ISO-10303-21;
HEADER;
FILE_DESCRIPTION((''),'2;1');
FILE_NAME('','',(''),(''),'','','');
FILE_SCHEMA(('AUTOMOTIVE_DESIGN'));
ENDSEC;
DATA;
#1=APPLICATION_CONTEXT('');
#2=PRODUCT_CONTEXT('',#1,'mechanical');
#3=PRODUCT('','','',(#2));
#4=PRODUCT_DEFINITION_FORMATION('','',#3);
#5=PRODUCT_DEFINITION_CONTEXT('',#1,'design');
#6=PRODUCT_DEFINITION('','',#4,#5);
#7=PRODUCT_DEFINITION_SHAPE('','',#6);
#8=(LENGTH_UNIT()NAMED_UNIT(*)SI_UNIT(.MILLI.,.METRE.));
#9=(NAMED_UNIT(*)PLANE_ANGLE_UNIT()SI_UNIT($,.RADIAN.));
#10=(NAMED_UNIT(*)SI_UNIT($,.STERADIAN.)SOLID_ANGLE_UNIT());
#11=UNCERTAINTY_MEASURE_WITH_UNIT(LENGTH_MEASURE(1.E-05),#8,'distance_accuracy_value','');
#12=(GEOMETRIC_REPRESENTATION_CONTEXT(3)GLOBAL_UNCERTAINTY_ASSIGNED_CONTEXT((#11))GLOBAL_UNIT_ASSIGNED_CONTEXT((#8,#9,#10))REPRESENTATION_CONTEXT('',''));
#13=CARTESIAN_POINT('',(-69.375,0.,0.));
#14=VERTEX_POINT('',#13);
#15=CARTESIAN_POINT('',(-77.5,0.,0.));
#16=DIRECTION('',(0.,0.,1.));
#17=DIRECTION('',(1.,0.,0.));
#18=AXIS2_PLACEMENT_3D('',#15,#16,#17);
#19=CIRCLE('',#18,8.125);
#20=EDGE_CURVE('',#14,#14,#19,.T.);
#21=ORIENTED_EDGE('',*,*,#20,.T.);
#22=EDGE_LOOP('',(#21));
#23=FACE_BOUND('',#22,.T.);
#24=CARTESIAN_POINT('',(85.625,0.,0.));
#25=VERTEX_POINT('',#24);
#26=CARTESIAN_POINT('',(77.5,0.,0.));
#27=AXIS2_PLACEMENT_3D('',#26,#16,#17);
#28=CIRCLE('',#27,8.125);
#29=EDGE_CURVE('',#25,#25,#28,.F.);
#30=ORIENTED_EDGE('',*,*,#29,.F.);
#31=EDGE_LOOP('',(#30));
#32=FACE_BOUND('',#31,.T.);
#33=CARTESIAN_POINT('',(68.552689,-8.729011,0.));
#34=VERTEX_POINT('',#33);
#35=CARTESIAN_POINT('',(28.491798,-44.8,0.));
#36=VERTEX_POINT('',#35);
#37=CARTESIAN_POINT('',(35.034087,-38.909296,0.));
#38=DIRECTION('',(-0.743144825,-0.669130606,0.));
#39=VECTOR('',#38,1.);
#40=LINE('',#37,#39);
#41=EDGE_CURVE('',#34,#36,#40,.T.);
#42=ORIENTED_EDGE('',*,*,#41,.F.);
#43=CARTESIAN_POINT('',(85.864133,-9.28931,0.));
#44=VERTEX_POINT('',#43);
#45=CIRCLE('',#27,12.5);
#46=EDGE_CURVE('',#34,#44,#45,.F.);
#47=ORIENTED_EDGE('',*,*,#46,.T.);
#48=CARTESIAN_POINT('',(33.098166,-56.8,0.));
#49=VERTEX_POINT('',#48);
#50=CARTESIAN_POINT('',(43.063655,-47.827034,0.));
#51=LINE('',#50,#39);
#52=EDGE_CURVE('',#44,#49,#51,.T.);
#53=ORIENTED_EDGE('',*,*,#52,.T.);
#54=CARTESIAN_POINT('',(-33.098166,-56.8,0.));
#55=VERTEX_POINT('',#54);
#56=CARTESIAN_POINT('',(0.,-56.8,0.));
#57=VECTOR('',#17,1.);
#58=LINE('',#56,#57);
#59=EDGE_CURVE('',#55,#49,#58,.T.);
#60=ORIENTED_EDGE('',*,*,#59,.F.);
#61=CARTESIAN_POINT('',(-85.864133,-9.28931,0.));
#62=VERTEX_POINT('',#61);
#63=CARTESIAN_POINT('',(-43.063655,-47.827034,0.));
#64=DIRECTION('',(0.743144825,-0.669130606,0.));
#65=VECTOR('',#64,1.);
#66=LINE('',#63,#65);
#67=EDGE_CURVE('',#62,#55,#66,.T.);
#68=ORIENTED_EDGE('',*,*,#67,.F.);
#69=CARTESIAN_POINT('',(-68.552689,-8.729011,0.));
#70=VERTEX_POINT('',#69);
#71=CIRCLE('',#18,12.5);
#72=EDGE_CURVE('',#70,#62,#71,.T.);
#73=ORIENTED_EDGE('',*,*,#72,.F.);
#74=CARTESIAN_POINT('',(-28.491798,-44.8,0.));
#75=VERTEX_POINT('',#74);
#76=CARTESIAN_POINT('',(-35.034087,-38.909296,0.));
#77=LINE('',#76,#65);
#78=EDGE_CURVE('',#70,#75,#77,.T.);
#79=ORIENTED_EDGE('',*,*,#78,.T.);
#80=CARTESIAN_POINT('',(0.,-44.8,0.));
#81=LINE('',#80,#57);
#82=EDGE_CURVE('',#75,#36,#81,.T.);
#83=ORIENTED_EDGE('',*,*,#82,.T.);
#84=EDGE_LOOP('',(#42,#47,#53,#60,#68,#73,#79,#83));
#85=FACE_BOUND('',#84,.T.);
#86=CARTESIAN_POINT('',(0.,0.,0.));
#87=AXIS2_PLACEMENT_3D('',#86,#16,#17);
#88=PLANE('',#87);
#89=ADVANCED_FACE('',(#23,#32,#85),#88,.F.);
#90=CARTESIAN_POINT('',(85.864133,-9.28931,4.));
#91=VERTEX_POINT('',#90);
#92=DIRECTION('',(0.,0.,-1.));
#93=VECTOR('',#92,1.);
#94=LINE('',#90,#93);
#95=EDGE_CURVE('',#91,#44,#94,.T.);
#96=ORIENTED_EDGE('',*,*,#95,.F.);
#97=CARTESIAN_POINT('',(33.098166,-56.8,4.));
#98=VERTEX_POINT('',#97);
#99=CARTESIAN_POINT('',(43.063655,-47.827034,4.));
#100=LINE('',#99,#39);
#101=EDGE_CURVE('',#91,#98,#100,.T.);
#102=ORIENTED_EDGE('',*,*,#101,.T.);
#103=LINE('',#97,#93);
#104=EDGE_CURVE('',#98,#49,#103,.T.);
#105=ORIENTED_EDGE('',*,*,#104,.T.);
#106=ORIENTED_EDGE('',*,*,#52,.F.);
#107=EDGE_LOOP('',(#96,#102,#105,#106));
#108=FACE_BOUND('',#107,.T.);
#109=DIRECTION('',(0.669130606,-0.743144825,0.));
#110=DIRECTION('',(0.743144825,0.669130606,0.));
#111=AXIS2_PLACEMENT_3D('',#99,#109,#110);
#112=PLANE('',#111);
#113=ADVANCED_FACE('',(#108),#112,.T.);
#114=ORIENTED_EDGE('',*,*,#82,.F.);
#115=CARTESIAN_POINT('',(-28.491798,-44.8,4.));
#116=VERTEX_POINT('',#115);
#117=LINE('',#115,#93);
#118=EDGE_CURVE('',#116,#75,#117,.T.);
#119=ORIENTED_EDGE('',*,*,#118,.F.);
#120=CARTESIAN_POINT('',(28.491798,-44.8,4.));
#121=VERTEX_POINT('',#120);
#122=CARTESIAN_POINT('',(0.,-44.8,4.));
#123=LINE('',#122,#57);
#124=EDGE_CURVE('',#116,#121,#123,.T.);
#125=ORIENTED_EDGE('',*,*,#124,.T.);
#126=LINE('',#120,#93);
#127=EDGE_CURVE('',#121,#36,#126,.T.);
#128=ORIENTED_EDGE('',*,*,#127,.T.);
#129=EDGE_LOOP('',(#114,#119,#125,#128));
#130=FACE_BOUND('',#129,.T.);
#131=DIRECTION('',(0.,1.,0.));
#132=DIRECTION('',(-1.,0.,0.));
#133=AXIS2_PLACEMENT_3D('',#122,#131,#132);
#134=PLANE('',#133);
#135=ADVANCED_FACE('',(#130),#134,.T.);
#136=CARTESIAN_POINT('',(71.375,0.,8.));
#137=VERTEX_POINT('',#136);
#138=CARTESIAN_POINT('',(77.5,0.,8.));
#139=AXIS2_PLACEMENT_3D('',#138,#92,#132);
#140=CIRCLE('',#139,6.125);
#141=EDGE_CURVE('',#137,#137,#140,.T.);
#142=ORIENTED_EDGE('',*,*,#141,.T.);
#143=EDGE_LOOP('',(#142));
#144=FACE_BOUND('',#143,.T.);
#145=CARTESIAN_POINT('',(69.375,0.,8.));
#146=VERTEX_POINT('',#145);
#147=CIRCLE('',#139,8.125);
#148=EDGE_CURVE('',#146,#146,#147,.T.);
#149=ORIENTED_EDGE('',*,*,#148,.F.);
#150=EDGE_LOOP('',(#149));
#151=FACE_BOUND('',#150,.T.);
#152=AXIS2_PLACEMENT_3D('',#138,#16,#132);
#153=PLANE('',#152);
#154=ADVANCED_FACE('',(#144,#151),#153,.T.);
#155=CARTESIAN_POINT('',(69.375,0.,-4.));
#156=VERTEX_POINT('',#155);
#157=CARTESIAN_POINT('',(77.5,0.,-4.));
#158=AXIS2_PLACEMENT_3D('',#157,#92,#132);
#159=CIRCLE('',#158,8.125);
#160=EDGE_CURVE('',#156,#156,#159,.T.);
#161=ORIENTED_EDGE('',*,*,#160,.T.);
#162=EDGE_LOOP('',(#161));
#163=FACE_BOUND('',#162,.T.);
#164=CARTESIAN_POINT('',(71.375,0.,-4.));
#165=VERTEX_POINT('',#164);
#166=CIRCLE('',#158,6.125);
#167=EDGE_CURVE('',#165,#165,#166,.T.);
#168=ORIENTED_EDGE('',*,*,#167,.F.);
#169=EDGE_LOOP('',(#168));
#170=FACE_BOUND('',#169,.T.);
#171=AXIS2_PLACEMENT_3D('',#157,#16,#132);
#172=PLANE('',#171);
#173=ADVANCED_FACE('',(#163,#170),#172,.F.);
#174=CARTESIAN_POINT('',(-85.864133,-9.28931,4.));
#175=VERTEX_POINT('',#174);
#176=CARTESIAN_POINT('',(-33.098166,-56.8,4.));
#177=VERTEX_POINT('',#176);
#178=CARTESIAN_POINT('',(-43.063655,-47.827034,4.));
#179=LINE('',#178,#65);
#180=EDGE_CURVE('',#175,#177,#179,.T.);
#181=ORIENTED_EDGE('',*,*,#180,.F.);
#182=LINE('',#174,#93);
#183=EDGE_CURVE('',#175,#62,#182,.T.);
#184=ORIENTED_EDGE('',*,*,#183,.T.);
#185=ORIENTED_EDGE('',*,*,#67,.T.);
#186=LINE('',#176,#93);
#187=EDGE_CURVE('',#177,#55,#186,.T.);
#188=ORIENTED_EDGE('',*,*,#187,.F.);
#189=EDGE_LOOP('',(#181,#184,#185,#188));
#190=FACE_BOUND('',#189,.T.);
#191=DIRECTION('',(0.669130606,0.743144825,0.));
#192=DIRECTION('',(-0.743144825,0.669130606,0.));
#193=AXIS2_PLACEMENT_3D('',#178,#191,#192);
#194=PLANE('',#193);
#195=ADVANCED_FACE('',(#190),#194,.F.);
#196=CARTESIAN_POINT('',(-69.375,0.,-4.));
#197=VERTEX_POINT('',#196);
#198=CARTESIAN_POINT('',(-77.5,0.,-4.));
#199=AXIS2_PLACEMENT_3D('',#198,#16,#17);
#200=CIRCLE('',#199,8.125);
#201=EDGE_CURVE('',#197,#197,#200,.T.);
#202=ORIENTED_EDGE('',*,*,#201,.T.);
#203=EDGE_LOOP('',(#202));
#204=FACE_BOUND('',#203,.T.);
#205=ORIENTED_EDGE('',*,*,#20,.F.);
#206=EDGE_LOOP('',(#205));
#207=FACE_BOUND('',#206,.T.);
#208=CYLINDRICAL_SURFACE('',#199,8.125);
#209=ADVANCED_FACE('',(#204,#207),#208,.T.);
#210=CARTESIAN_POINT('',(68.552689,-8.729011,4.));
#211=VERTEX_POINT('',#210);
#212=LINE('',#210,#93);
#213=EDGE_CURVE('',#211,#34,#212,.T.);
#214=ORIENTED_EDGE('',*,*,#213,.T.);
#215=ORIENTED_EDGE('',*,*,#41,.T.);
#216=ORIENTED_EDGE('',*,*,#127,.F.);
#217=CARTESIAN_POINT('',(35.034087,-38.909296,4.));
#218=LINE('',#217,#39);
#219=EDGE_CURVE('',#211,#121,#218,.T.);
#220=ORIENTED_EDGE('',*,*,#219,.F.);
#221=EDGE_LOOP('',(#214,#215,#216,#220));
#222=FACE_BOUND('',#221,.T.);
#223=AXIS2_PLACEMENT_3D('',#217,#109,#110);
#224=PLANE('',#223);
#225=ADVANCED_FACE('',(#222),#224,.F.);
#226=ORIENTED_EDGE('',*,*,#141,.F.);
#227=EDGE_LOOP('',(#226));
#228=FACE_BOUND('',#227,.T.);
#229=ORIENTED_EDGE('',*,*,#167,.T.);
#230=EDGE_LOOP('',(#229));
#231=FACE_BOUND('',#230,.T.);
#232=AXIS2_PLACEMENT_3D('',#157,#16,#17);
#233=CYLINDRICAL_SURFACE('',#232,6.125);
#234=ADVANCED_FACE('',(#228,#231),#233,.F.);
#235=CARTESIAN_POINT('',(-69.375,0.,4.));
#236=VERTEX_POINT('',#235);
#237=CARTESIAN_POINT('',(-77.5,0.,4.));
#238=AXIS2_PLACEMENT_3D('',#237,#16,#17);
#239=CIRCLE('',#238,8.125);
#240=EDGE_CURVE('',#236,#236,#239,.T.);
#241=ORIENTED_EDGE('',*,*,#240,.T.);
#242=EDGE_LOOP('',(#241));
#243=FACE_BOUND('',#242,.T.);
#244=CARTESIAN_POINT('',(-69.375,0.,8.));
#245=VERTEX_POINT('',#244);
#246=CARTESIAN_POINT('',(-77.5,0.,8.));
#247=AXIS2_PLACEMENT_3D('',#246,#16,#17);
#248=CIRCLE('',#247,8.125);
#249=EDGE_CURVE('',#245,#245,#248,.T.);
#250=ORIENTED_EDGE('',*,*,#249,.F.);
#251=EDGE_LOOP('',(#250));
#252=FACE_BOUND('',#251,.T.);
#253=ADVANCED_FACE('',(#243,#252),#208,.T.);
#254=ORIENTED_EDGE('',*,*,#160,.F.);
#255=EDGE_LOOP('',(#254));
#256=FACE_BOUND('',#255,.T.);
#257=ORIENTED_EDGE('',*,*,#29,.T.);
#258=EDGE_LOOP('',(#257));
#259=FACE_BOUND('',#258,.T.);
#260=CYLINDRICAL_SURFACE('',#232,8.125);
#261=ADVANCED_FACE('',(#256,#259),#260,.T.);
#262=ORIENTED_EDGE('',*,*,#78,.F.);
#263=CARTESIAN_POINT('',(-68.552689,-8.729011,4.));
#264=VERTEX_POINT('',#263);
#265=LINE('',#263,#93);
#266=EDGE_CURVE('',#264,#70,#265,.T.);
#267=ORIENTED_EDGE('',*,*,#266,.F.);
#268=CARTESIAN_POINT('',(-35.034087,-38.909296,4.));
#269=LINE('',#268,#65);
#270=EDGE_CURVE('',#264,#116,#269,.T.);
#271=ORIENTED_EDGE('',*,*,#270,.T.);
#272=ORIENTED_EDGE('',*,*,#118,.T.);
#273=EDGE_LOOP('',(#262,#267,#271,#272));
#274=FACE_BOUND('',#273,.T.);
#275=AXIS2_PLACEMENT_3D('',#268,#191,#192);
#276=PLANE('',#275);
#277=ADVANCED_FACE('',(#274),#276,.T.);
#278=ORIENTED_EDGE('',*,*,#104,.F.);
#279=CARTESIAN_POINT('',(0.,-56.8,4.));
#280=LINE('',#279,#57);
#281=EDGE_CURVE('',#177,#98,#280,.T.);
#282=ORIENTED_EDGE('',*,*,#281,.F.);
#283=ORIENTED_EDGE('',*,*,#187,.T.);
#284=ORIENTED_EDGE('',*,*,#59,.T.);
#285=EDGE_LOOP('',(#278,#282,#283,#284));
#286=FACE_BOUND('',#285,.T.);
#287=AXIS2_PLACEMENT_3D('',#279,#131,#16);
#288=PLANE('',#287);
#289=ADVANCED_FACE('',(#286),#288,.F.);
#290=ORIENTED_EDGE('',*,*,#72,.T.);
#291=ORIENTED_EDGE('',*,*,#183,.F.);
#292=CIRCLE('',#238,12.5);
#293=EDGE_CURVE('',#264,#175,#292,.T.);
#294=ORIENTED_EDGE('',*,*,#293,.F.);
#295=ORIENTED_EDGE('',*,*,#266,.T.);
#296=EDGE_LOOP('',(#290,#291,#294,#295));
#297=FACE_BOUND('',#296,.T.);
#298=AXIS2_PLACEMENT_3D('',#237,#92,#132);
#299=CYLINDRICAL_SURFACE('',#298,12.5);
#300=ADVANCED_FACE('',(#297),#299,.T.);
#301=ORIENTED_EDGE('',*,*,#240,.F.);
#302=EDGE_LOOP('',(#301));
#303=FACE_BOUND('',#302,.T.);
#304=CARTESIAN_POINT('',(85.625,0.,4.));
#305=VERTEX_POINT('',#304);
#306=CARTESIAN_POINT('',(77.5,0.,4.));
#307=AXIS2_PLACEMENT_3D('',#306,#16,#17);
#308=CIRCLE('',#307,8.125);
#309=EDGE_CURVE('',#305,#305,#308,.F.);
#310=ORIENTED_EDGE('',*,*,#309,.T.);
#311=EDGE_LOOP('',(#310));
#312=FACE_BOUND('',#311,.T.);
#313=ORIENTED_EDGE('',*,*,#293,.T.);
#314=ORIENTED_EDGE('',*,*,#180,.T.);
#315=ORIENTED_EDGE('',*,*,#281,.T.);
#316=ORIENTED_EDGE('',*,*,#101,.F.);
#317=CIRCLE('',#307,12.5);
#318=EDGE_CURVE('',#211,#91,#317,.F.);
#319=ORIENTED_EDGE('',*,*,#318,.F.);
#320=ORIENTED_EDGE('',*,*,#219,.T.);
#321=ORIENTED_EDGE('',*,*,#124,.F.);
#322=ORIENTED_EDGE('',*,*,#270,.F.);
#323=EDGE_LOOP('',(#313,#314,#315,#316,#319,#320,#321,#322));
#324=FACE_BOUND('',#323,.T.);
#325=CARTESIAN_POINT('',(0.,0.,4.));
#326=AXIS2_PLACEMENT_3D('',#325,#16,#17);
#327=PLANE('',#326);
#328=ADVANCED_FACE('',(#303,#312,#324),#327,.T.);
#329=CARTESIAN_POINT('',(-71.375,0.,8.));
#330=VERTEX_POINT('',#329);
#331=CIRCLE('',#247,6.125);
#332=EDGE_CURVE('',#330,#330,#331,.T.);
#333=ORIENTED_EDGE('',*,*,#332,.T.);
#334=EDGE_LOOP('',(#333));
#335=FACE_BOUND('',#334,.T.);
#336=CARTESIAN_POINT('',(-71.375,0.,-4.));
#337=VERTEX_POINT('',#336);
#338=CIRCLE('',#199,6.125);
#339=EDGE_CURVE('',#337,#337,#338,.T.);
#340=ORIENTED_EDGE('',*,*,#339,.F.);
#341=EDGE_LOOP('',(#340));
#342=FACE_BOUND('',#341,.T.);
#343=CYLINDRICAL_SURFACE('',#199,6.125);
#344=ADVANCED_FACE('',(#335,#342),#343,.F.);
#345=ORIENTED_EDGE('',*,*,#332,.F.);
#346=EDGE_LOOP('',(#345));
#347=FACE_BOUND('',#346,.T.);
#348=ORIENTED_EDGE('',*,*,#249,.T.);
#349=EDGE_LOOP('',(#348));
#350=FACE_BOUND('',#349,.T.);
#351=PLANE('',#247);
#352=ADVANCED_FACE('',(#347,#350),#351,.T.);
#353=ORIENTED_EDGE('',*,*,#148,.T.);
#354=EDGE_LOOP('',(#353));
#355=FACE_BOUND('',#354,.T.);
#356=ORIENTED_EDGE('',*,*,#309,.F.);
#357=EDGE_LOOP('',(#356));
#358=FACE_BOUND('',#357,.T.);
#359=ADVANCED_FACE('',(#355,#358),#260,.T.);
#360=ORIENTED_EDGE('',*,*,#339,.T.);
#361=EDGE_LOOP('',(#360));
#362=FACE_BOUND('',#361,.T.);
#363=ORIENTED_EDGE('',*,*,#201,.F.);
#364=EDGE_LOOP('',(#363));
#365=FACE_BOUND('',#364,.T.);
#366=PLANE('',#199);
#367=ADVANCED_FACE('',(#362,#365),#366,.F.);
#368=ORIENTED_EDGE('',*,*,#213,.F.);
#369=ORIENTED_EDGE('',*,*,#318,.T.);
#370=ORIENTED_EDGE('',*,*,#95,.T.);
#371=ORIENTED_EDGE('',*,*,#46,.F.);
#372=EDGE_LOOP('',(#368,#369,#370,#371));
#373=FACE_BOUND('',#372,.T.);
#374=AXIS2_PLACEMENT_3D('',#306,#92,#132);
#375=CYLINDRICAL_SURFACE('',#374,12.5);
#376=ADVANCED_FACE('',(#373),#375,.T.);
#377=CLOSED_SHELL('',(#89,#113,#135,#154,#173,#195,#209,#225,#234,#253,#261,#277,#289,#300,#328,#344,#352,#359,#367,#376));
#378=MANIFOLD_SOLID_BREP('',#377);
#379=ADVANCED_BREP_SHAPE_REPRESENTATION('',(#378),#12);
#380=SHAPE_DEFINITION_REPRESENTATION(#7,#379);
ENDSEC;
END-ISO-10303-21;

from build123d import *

# Parameters (mm, degrees)
SKETCH1_R           = 6.25
BOSS_EXTRUDE1_DEPTH = 4
BOSS_EXTRUDE5_START = -8
SKETCH7_R           = 8.125
SKETCH7_R_2         = 6.125
BOSS_EXTRUDE5_DEPTH = 12


with BuildPart() as part:
    # Sketch1 → Boss-Extrude1 (new body)
    with BuildSketch(Plane.XY):
        with BuildLine():
            Line((85.864132579, -9.289310318), (33.098166031, -56.8))
            Line((33.098166031, -56.8), (-33.098166031, -56.8))
            Line((-33.098166031, -56.8), (-85.864132579, -9.289310318))
            ThreePointArc((-85.864132579, -9.289310318), (-77.904361198, 12.493457969), (-68.552689408, -8.729011007))
            Line((-68.552689408, -8.729011007), (-28.491797611, -44.8))
            Line((-28.491797611, -44.8), (28.491797611, -44.8))
            Line((28.491797611, -44.8), (68.552689408, -8.729011007))
            ThreePointArc((68.552689408, -8.729011007), (77.904361198, 12.493457969), (85.864132579, -9.289310318))
        make_face()
        with Locations((-77.5, 0)):
            Circle(SKETCH1_R, mode=Mode.SUBTRACT)
        with Locations((77.5, 0)):
            Circle(SKETCH1_R, mode=Mode.SUBTRACT)
    extrude(amount=BOSS_EXTRUDE1_DEPTH)

    # Sketch7 → Boss-Extrude5 (add)
    with BuildSketch(Plane.XY.offset(4).offset(BOSS_EXTRUDE5_START)):
        with Locations((-77.5, 0)):
            Circle(SKETCH7_R)
        with Locations((-77.5, 0)):
            Circle(SKETCH7_R_2, mode=Mode.SUBTRACT)
    boss_extrude5 = extrude(amount=BOSS_EXTRUDE5_DEPTH)

    # Mirror1: Boss-Extrude5 across plane
    add(boss_extrude5.mirror(Plane(origin=(0, 0, 0), x_dir=(0, 0, 1), z_dir=(1, 0, 0))))


solid = part.part
